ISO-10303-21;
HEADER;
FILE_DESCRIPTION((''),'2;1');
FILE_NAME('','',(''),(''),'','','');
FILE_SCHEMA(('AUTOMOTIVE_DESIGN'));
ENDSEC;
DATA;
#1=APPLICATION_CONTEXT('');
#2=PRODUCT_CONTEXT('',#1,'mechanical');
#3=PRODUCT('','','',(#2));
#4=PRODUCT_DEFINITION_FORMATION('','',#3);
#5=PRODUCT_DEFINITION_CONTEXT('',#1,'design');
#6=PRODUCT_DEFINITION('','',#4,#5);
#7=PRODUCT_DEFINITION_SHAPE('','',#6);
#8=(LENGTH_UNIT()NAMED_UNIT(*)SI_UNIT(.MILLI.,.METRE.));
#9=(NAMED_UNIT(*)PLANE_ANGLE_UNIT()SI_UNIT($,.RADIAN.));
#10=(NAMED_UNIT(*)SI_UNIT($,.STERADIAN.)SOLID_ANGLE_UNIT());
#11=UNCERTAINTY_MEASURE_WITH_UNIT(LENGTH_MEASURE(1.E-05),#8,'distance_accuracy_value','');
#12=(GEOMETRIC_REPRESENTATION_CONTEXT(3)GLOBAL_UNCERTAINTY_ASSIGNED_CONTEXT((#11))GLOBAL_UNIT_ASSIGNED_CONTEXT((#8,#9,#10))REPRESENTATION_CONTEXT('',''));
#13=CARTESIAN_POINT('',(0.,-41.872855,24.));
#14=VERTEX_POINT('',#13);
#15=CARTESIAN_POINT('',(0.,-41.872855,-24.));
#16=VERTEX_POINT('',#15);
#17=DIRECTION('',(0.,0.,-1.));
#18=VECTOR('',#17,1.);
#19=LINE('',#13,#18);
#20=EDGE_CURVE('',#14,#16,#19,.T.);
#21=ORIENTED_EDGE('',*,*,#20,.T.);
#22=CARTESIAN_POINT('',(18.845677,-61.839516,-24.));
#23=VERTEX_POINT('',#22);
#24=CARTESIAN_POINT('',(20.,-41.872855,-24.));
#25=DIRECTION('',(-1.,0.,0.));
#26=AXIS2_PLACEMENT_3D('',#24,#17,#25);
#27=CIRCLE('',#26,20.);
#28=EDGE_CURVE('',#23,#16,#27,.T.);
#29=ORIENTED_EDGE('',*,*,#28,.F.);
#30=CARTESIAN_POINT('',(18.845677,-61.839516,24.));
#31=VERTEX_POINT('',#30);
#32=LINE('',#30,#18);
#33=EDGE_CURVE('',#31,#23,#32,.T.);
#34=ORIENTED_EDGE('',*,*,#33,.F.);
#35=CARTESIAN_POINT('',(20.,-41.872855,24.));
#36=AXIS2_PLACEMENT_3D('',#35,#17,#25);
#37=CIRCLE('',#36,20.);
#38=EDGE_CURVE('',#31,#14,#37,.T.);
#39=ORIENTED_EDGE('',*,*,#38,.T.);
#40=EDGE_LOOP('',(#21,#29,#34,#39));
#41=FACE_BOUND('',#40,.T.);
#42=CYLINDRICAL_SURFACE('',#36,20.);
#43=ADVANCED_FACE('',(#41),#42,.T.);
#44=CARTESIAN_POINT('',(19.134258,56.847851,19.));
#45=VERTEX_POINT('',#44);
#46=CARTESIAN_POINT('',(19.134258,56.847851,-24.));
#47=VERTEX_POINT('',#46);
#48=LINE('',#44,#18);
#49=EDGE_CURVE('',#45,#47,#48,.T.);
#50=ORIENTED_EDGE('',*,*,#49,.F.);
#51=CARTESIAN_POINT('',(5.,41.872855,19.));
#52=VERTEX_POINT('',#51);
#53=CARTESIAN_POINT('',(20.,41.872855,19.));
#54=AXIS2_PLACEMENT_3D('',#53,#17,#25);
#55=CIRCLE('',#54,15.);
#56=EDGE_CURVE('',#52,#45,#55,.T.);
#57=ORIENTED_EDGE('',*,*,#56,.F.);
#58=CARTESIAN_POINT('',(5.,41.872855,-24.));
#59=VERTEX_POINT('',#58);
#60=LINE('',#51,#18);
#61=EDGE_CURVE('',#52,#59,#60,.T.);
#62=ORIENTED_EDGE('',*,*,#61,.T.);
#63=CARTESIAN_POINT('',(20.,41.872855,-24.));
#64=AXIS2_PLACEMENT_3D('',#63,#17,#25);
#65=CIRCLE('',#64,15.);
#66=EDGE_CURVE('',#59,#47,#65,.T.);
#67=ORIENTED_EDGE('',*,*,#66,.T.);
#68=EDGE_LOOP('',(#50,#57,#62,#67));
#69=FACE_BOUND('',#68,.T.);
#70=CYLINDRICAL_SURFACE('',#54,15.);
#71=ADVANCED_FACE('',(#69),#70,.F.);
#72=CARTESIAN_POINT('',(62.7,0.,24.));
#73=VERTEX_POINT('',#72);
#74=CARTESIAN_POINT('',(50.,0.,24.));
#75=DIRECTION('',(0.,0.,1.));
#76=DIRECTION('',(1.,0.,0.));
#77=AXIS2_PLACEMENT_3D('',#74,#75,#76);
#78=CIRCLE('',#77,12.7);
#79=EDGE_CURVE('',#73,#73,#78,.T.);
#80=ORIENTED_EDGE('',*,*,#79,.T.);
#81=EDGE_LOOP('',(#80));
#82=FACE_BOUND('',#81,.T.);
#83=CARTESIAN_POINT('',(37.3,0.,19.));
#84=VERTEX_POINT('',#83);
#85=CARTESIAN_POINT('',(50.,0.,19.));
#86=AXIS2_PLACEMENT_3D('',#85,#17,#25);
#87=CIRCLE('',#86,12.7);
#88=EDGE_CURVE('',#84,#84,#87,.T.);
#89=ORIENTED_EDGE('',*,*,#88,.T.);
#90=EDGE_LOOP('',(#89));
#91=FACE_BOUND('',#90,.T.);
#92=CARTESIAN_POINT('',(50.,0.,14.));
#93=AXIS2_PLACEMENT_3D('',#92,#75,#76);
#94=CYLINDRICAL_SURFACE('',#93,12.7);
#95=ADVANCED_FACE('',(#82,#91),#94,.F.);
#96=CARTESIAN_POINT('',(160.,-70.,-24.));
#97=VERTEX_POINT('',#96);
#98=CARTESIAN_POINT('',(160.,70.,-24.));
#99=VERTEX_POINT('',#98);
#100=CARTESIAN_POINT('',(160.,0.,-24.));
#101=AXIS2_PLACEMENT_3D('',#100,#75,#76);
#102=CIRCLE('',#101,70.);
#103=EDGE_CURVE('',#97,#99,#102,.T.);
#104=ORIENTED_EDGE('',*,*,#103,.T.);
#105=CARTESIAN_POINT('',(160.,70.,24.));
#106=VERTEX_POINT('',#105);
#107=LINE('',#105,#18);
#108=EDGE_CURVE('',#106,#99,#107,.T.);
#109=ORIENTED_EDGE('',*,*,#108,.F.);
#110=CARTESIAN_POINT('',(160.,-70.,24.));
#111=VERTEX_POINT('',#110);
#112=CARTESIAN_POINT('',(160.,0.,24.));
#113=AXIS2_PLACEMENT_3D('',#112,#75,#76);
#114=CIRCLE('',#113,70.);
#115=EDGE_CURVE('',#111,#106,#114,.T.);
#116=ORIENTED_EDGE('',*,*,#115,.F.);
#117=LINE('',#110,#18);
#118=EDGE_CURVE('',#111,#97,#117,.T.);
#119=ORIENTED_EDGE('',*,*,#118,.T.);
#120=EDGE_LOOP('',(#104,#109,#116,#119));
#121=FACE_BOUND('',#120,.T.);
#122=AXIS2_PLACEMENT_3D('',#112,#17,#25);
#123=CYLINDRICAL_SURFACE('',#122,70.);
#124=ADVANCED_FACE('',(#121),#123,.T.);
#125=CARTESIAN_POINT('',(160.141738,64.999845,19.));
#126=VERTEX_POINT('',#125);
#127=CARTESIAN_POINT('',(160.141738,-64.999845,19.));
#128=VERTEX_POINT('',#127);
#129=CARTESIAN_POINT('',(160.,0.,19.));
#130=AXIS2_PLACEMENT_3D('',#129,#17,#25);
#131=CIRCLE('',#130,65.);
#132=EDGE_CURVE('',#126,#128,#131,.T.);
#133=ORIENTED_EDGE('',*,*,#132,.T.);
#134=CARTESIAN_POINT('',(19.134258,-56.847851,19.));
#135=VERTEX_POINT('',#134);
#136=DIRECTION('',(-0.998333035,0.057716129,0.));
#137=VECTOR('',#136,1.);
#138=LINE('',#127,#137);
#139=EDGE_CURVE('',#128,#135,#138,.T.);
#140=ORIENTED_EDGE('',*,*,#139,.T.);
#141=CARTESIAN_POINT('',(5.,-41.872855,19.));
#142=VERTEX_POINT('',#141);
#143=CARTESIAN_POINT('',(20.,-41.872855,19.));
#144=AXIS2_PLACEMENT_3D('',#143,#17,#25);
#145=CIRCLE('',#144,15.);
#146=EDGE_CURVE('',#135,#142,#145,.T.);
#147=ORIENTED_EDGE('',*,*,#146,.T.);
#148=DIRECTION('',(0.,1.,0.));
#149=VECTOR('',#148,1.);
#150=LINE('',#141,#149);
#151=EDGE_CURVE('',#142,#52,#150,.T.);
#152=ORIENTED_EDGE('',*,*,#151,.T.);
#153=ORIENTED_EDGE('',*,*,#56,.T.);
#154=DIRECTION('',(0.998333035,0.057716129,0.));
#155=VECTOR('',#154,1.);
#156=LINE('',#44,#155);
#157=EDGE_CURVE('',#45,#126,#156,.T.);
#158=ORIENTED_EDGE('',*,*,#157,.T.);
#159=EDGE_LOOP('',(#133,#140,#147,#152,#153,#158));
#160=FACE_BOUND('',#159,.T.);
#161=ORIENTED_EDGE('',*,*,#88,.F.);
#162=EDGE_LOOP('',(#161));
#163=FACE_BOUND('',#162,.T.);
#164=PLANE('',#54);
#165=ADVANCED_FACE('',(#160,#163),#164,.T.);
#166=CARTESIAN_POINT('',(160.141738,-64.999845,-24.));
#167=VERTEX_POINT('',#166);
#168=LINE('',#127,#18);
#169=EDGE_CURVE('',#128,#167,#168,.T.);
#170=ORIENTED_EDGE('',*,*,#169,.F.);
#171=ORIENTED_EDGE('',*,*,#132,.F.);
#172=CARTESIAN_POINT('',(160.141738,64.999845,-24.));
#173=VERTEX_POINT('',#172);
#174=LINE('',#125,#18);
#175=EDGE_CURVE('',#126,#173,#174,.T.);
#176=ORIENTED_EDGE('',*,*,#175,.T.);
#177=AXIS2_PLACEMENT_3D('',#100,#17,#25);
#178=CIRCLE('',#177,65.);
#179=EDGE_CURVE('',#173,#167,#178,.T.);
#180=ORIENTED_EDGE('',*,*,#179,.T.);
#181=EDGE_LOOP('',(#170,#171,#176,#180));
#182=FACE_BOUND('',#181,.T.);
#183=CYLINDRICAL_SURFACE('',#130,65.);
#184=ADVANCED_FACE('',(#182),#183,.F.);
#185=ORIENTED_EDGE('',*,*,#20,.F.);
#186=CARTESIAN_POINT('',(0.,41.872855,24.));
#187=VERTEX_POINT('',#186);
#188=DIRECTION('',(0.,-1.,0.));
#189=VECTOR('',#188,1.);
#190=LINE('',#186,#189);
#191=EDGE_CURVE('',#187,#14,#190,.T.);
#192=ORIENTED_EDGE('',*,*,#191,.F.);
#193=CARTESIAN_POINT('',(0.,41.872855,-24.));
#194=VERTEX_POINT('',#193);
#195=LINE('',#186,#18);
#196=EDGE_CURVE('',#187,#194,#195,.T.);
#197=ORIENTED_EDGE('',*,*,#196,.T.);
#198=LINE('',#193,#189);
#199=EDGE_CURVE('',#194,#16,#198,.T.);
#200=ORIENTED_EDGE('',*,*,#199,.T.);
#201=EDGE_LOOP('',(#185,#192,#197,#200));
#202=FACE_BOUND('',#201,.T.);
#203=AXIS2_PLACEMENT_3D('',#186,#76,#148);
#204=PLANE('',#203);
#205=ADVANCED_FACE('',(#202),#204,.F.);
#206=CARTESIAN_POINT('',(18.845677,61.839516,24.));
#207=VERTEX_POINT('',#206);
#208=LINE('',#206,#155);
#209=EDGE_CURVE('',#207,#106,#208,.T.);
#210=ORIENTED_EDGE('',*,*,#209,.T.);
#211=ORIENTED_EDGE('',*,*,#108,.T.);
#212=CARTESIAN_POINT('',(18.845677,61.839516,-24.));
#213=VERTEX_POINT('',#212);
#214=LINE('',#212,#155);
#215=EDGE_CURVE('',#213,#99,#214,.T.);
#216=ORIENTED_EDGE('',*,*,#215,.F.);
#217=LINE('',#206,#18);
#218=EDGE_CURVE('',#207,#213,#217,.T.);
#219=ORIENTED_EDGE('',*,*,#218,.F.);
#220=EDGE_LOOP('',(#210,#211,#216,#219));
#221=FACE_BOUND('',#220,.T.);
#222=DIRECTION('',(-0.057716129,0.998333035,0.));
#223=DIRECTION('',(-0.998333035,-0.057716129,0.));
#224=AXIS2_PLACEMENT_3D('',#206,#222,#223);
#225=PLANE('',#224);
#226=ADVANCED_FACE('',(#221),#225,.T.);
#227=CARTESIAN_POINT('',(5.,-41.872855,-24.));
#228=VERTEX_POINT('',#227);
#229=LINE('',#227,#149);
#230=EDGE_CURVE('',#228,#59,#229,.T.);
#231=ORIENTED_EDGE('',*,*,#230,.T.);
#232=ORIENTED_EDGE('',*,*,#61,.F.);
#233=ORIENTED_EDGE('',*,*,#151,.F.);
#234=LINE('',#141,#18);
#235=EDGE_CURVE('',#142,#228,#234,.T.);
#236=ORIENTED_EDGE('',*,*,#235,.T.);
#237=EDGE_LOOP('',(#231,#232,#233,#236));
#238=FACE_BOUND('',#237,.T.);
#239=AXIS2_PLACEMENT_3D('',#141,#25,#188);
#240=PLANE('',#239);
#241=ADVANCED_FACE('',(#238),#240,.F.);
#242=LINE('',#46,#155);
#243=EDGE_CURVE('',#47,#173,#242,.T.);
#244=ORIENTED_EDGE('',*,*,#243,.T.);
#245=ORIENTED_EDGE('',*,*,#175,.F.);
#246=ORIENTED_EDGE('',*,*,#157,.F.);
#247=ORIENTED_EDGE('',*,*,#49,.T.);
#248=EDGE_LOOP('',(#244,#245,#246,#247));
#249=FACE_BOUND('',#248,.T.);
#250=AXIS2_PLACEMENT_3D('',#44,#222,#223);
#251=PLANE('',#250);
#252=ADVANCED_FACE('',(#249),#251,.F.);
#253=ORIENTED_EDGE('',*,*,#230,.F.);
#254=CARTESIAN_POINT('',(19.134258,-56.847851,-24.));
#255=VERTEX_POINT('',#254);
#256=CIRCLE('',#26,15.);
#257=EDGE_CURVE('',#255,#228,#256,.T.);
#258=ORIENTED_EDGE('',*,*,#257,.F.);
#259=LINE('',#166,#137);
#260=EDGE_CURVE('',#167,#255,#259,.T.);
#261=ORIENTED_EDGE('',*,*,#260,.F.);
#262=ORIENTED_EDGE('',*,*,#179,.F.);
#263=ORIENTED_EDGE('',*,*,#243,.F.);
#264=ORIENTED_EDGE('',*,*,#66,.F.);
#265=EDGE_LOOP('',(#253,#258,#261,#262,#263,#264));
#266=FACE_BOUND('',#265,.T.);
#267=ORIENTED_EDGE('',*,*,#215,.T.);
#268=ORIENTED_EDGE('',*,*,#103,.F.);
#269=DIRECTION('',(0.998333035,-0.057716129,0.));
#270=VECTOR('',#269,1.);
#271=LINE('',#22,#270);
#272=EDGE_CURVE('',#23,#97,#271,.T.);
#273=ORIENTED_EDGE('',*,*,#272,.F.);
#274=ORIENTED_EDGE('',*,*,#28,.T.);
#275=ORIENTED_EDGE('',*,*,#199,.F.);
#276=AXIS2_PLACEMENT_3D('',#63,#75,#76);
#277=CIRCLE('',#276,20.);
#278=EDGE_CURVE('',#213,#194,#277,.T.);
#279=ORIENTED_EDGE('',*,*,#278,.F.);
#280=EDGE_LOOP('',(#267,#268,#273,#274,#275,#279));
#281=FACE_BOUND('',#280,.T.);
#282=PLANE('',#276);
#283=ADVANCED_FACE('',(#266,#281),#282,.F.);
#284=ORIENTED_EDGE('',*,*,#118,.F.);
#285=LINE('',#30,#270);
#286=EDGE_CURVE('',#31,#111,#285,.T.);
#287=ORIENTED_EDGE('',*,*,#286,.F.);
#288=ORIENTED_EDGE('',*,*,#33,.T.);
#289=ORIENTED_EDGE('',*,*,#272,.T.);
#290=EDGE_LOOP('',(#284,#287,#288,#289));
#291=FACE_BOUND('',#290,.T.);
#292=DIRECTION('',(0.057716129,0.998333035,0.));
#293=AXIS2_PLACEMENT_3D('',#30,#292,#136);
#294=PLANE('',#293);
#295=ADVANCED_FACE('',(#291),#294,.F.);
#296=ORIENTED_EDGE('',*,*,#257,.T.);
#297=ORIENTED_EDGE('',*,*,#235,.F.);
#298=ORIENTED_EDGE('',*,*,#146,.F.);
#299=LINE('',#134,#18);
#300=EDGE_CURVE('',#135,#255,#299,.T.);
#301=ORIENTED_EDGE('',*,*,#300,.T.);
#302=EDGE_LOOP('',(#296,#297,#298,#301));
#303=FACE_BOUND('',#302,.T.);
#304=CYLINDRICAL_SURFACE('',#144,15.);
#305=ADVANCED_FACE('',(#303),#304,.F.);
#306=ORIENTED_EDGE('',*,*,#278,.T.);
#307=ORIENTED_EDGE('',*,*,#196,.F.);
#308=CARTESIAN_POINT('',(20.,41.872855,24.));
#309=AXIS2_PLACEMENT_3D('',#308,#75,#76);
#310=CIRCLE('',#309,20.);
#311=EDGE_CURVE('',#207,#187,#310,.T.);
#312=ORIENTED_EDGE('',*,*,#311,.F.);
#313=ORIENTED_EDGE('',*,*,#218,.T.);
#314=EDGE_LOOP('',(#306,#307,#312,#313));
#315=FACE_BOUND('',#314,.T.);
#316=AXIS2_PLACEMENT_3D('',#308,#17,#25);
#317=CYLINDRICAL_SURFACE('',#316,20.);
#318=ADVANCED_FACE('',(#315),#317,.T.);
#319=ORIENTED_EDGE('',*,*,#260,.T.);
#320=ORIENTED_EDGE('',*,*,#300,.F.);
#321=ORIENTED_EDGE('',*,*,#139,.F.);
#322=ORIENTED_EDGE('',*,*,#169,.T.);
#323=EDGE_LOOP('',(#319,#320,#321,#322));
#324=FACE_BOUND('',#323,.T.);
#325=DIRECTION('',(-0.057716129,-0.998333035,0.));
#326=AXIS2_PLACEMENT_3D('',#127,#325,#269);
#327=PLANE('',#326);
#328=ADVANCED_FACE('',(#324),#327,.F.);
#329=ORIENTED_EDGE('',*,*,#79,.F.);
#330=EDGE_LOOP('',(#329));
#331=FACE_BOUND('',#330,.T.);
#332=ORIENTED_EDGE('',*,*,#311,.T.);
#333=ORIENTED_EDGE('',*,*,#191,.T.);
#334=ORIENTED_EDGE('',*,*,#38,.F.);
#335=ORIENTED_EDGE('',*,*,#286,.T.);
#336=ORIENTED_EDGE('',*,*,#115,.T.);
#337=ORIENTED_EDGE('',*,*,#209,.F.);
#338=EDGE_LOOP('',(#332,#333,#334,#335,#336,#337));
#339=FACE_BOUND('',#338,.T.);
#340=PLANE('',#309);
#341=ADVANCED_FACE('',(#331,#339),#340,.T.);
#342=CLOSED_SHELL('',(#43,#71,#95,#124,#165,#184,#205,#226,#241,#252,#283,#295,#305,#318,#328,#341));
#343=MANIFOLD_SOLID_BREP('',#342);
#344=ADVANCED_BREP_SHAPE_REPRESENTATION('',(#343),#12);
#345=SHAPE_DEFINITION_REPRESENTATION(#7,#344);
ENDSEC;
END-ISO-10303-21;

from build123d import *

# Parameters (mm, degrees)
BOSS_EXTRUDE1_DEPTH = 24
CUT_EXTRUDE1_DEPTH  = 43
SKETCH7_R           = 12.7
CUT_EXTRUDE4_DEPTH  = 10


with BuildPart() as part:
    # Sketch1 → Boss-Extrude1 (new, symmetric)
    with BuildSketch(Plane.XY):
        with BuildLine():
            Line((0, 41.872855029), (0, -41.872855029))
            ThreePointArc((0, -41.872855029), (5.455474373, -55.600810969), (18.845677428, -61.839515726))
            Line((18.845677428, -61.839515726), (160, -70))
            ThreePointArc((160, -70), (230, 0), (160, 70))
            Line((160, 70), (18.845677428, 61.839515726))
            ThreePointArc((18.845677428, 61.839515726), (5.455474373, 55.600810969), (0, 41.872855029))
        make_face()
    extrude(amount=BOSS_EXTRUDE1_DEPTH, both=True)

    # Sketch2 → Cut-Extrude1 (cut)
    with BuildSketch(Plane(origin=(0, 0, -24), x_dir=(-1, 0, 0), z_dir=(0, 0, -1))):
        with BuildLine():
            Line((-19.134258071, 56.847850552), (-160.141737643, 64.999845465))
            ThreePointArc((-160.141737643, 64.999845465), (-225, 0), (-160.141737643, -64.999845465))
            Line((-160.141737643, -64.999845465), (-19.134258071, -56.847850552))
            ThreePointArc((-19.134258071, -56.847850552), (-9.09160578, -52.168821984), (-5, -41.872855029))
            Line((-5, -41.872855029), (-5, 41.872855029))
            ThreePointArc((-5, 41.872855029), (-9.09160578, 52.168821984), (-19.134258071, 56.847850552))
        make_face()
    extrude(amount=-CUT_EXTRUDE1_DEPTH, mode=Mode.SUBTRACT)

    # Sketch7 → Cut-Extrude4 (cut)
    with BuildSketch(Plane.XY.offset(24)):
        with Locations((50, 0)):
            Circle(SKETCH7_R)
    extrude(amount=-CUT_EXTRUDE4_DEPTH, mode=Mode.SUBTRACT)


solid = part.part
